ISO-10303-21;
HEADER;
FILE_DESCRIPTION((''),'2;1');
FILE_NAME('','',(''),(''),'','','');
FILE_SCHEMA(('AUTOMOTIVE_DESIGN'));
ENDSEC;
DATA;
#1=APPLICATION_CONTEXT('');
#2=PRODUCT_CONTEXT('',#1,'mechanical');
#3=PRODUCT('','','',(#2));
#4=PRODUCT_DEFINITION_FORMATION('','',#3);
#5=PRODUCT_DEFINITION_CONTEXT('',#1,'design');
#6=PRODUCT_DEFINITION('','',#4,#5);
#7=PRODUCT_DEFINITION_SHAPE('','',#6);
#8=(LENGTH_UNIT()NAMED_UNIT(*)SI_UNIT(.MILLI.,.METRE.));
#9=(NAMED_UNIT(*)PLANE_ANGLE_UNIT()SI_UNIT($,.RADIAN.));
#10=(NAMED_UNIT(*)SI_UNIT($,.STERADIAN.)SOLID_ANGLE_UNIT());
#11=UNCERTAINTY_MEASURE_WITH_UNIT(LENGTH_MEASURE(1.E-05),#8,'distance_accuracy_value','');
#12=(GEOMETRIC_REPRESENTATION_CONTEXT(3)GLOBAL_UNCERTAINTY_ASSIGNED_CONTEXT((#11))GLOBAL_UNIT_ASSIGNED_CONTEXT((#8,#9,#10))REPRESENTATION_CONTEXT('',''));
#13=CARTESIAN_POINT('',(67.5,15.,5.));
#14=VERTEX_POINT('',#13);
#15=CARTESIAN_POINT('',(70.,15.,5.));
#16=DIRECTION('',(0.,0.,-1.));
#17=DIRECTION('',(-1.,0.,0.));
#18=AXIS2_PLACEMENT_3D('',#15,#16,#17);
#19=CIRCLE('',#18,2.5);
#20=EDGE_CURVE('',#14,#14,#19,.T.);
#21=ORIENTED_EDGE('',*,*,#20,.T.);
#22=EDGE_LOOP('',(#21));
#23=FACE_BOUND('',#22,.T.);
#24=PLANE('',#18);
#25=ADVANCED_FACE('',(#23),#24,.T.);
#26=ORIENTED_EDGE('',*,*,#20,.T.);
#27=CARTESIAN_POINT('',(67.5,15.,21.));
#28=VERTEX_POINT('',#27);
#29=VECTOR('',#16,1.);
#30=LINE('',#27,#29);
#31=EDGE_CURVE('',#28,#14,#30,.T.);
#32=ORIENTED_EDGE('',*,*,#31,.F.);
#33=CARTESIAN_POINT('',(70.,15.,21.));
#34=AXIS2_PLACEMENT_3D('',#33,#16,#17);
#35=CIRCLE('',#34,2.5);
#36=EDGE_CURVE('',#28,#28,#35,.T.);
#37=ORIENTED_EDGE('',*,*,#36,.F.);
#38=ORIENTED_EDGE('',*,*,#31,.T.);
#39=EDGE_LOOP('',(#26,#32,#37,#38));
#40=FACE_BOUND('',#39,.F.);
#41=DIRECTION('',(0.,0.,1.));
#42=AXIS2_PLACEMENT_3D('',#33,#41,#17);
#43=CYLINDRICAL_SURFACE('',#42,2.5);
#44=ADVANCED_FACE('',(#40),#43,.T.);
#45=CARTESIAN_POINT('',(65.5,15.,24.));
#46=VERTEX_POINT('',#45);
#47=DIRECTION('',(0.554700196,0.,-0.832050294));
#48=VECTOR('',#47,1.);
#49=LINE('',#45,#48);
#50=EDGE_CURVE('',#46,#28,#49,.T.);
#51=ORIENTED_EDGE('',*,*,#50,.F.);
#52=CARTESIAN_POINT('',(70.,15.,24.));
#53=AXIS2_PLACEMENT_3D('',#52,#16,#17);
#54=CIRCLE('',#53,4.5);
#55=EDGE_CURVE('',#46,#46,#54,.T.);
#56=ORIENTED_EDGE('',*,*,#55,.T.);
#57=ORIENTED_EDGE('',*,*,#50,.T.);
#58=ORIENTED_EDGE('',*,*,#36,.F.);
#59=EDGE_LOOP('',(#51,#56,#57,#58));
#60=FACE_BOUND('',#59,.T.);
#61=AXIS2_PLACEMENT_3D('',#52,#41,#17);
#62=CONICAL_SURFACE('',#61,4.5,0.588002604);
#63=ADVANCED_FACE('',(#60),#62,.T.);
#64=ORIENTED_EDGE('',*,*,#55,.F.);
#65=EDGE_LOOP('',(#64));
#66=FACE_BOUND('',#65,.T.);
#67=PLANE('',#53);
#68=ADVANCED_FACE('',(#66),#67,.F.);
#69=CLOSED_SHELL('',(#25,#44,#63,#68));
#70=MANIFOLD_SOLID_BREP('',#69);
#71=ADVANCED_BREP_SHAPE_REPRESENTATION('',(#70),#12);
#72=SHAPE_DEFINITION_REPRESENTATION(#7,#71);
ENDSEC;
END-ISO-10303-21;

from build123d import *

# Parameters (mm, degrees)
CYLINDER011_R                   = 2.5
CYLINDER011_DEPTH               = 16
FUSION001018017_PLACEMENT_ANGLE = 180


with BuildPart() as cone003:
    # Cone003 → Cone003 (revolve)
    with BuildSketch(Plane(origin=(0, 0, -3), x_dir=(1, 0, 0), z_dir=(0, -1, 0))):
        Polygon((0, 0), (4.5, 0), (2.5, 3), (0, 3), align=None)
    revolve(axis=Axis((0, 0, -3), (0, 0, 1)))


with BuildPart() as m5x16_senkkopf001:
    # Cylinder011 → Cylinder011 (new body)
    with BuildSketch(Plane.XY):
        Circle(CYLINDER011_R)
    extrude(amount=CYLINDER011_DEPTH)

    # Fusion001018017: union Cone003
    add(cone003.part)


with BuildPart() as m5x16_senkkopf001_1:
    # Fusion001018017 placement: moved
    add(m5x16_senkkopf001.part.moved(Location((45, 15, 21))).rotate(Axis((45, 15, 21), (0, 1, 0)), FUSION001018017_PLACEMENT_ANGLE))


with BuildPart() as m5x16_senkkopf001_2:
    # Clone011 placement: moved
    add(m5x16_senkkopf001_1.part.moved(Location((25, 0, 0))))


solid = m5x16_senkkopf001_2.part
